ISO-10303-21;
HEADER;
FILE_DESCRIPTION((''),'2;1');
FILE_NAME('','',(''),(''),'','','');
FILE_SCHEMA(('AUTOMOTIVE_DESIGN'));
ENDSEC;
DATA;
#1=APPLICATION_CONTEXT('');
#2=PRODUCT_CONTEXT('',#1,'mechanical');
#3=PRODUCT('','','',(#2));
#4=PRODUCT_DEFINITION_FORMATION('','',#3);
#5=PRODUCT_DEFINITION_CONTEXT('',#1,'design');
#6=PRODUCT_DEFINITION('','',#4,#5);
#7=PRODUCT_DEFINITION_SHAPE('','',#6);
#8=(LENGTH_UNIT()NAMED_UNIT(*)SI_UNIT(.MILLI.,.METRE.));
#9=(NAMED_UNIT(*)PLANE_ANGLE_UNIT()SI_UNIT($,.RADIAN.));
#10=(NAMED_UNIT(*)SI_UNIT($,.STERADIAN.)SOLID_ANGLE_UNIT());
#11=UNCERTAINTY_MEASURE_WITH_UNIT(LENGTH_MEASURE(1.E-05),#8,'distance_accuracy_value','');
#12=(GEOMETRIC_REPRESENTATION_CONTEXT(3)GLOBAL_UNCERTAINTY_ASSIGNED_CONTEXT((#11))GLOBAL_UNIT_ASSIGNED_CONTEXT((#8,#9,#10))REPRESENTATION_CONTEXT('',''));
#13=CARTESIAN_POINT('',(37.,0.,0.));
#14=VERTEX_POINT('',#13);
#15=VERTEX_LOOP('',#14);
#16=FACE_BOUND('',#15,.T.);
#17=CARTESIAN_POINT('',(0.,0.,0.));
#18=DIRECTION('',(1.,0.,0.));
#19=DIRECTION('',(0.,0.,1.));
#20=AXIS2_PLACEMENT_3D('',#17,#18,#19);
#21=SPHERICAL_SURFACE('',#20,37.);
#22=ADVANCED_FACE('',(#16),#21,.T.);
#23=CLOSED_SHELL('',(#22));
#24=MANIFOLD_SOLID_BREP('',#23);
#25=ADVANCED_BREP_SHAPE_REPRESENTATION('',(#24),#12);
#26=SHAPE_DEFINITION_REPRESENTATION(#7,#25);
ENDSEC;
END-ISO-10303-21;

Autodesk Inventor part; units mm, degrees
ref_plane "YZ Plane" through (0, 0, 0) normal (1, 0, 0) x (0, 1, 0)
ref_plane "XY Plane" through (0, 0, 0) normal (0, 0, 1) x (1, 0, 0)
sketch "Эскиз1" plane through (0, 0, 0) normal (0, 1, 0) x (-1, 0, 0)
  arc A0 (37, 0) -> (-37, 0) centre (0, 0) ccw
  line L0 (37, 0) -> (-37, 0)
  dimension "d0" = 37
revolve "Вращение1" add sketch "Эскиз1" angle 360 about axis through (-37, 0, 0) along (1, 0, 0)
ref_plane "РабПлоскость2" through (0, 22.6, 0) normal (0, 1, 0) x (-1, 0, 0)
ref_plane "РабПлоскость1" through (0, 37, 0) normal (0, 1, 0) x (-1, 0, 0)
sketch "Эскиз3" plane through (0, 0, 0) normal (1, 0, 0) x (0, 1, 0)
  circle A0 centre (0, 0) radius 37 projected
  line L0 (22, -29.7489) -> (22, -26.7489)
  line L1 (23.2, -28.8229) -> (23.2, -26.7489)
  line L2 (22, -26.7489) -> (23.2, -26.7489)
  line L3 (22.6, 51.8) -> (22.6, -51.8) projected
  point P0 (22.6, -26.7489)
  dimension "d3" = 3
  dimension "d4" = 1.2
properties part number "ball"
